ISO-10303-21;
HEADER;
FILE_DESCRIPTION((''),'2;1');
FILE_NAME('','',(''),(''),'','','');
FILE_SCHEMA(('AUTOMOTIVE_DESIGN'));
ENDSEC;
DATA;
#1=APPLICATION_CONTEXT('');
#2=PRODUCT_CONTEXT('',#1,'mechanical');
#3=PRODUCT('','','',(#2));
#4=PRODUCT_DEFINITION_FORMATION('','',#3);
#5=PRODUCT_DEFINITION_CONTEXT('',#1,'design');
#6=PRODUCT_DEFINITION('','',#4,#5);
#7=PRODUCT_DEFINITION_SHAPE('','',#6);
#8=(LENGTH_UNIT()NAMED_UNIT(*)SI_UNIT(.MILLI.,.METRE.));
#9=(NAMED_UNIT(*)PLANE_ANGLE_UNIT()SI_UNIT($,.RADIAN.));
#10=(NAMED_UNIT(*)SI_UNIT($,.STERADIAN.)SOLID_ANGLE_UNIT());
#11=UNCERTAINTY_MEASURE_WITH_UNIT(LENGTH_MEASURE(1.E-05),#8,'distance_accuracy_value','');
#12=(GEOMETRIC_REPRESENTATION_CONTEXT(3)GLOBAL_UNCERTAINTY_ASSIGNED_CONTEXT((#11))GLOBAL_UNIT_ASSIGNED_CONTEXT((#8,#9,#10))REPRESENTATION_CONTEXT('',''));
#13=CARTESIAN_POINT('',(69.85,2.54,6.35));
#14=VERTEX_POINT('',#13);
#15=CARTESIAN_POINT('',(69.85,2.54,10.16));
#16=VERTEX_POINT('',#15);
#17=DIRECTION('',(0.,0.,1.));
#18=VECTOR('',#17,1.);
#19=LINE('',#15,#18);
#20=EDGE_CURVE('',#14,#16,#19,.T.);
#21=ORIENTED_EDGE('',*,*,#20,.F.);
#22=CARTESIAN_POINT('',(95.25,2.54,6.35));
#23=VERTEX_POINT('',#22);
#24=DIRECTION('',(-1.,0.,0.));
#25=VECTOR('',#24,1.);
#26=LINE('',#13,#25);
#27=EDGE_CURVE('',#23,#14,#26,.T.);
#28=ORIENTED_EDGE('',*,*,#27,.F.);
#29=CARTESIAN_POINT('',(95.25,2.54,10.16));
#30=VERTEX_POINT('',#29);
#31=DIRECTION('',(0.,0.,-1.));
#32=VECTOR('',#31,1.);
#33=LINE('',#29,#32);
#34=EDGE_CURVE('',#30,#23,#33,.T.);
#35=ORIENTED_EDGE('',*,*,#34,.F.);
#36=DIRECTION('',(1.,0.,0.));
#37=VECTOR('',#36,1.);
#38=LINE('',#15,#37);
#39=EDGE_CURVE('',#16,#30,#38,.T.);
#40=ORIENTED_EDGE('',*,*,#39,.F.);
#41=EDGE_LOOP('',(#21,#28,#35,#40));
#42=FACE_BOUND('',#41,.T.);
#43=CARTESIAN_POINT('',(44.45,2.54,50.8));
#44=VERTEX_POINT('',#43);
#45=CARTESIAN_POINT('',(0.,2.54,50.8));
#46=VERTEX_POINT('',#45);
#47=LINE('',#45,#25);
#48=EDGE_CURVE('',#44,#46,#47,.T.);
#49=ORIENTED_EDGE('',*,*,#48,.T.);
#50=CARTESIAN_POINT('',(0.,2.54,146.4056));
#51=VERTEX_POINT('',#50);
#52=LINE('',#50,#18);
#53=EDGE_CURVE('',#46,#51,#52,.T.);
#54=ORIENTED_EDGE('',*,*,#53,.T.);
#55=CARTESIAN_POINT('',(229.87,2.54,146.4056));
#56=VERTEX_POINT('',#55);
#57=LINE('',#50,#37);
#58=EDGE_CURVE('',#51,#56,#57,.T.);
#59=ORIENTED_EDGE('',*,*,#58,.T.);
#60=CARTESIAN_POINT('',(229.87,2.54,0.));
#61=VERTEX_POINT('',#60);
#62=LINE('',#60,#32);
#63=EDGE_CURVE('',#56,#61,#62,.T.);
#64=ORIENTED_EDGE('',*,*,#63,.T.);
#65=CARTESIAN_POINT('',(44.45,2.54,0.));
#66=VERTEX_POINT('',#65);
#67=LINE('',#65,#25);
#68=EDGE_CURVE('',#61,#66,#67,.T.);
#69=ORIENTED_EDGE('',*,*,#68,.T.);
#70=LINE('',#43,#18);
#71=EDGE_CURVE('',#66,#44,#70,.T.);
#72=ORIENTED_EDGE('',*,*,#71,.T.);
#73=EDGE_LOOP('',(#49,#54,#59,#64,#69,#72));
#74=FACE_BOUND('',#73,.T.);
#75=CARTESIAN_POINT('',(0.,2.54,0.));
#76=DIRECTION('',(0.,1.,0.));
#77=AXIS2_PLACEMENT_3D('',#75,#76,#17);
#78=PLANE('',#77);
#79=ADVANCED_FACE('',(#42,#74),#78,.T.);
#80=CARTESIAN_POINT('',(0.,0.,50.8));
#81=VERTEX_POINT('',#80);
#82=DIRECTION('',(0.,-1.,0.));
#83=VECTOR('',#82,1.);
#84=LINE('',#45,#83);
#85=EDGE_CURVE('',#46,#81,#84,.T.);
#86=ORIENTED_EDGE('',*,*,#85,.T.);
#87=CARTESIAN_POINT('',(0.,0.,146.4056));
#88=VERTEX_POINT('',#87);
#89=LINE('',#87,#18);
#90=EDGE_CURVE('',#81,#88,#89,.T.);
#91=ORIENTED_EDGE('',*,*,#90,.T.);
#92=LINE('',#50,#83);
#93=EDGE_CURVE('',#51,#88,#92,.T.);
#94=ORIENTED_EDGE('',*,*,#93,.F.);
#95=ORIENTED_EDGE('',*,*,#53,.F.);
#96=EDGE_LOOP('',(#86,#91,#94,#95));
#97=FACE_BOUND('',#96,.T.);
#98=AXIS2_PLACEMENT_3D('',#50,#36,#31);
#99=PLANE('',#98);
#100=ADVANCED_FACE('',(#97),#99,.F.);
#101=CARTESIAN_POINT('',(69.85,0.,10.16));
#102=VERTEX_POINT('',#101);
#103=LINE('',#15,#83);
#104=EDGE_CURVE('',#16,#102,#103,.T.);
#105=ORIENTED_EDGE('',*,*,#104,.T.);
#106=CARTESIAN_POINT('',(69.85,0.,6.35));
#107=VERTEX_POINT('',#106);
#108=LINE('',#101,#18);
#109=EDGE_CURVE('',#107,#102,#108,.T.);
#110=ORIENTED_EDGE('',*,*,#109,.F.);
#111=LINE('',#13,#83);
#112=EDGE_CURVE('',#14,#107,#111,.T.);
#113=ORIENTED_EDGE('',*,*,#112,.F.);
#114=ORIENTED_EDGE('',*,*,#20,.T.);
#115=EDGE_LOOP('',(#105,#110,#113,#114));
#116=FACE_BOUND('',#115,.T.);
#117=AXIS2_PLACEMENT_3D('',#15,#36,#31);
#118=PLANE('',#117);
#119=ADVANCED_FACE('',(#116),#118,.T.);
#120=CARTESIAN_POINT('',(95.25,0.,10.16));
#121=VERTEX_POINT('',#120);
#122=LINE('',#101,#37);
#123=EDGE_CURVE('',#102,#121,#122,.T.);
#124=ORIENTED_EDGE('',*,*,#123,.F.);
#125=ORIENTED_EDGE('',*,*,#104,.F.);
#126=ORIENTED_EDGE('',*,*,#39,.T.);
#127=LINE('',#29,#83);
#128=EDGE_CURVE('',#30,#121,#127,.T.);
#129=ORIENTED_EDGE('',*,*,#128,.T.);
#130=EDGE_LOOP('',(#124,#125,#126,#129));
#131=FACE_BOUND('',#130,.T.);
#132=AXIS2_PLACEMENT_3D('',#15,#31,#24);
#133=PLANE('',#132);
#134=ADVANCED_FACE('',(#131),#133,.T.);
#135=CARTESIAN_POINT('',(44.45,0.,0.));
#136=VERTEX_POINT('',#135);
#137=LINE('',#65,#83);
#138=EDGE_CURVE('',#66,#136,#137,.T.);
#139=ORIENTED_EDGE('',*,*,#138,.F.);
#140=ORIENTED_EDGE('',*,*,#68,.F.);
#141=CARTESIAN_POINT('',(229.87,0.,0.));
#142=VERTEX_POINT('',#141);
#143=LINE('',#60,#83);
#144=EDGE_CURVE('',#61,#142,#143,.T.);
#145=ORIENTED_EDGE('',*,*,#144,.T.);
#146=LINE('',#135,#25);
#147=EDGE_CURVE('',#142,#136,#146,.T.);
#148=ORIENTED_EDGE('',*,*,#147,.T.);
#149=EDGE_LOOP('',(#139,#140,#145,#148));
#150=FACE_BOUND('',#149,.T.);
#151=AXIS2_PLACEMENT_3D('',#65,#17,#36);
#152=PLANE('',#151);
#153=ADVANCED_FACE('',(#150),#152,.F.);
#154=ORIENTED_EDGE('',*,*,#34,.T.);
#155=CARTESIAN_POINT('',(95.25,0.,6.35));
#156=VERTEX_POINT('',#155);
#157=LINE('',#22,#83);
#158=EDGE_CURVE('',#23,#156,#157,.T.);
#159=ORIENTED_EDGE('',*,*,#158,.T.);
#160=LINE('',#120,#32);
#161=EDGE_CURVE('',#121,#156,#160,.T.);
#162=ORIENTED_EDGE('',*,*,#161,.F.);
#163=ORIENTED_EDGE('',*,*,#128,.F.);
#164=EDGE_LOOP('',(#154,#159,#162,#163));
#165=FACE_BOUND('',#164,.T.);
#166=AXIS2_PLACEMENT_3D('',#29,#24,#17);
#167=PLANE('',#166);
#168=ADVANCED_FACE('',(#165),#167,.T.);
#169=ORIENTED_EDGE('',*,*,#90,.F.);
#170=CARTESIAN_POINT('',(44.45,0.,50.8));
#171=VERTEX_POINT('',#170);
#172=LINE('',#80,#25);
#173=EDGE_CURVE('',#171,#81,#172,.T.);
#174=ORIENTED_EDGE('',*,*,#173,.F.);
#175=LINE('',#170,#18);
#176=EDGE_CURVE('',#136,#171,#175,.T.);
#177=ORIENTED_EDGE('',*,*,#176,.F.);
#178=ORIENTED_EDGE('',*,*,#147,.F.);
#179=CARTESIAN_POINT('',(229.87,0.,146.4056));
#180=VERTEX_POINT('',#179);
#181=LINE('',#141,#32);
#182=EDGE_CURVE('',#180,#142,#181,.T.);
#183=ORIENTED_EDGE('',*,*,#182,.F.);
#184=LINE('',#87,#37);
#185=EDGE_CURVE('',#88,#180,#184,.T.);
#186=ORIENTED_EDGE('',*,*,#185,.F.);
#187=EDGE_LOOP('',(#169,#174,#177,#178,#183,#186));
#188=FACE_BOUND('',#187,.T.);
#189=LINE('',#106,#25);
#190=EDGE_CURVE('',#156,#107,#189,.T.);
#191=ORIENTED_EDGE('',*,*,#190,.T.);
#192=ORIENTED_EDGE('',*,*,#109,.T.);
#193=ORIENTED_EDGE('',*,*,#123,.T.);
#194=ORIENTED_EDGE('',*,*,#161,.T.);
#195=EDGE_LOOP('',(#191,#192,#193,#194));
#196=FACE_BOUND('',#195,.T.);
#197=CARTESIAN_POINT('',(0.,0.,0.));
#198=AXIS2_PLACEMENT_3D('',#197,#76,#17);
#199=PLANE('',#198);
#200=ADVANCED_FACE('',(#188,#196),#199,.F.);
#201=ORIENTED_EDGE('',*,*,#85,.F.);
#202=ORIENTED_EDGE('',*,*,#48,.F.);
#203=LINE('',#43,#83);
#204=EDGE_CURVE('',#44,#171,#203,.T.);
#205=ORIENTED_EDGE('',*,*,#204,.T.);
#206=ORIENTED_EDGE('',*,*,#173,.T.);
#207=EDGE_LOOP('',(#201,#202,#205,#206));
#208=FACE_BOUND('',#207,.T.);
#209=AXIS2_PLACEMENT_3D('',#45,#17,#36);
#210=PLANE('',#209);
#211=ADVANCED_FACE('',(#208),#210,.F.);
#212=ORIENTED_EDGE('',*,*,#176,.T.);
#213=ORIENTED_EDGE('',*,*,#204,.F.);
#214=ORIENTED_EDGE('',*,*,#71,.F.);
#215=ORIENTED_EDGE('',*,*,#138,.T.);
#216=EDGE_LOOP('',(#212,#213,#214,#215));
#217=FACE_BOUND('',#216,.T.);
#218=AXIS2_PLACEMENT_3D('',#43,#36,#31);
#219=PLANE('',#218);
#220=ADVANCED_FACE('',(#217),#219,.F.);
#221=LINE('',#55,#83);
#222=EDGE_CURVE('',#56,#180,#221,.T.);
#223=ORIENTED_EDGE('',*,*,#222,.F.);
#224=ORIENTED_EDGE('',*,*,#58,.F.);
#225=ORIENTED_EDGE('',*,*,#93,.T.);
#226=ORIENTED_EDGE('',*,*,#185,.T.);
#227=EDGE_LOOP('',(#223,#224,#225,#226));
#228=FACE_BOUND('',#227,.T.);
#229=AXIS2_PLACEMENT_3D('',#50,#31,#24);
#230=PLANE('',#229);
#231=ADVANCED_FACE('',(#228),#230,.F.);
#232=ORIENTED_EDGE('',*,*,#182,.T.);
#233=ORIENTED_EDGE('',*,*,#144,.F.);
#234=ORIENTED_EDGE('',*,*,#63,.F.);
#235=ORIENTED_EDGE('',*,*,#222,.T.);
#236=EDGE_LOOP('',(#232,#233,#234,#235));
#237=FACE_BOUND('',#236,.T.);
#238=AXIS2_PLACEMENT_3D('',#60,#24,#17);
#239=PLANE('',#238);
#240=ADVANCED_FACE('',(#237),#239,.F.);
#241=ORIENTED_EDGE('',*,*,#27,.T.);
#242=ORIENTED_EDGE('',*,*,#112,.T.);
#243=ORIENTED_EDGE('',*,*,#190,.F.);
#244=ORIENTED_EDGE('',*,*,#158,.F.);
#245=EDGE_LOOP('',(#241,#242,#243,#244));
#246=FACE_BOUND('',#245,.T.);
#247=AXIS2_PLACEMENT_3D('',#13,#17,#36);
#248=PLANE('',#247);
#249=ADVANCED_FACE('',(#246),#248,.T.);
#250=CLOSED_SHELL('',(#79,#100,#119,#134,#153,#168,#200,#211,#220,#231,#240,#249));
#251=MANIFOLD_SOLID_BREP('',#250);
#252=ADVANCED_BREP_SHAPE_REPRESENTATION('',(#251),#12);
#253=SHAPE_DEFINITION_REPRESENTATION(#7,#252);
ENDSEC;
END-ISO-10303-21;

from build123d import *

# Parameters (mm, degrees)
SKETCH1_W           = 25.4
SKETCH1_H           = 3.81
BOSS_EXTRUDE1_DEPTH = 2.54


with BuildPart() as part:
    # Sketch1 → Boss-Extrude1 (new body)
    with BuildSketch(Plane(origin=(0, 0, 0), x_dir=(1, 0, 0), z_dir=(0, 1, 0))):
        Polygon((0, -50.8), (44.45, -50.8), (44.45, 0), (229.87, 0), (229.87, -146.4056), (0, -146.4056), align=None)
        with Locations((82.55, -8.255)):
            Rectangle(SKETCH1_W, SKETCH1_H, mode=Mode.SUBTRACT)
    extrude(amount=BOSS_EXTRUDE1_DEPTH)


solid = part.part
